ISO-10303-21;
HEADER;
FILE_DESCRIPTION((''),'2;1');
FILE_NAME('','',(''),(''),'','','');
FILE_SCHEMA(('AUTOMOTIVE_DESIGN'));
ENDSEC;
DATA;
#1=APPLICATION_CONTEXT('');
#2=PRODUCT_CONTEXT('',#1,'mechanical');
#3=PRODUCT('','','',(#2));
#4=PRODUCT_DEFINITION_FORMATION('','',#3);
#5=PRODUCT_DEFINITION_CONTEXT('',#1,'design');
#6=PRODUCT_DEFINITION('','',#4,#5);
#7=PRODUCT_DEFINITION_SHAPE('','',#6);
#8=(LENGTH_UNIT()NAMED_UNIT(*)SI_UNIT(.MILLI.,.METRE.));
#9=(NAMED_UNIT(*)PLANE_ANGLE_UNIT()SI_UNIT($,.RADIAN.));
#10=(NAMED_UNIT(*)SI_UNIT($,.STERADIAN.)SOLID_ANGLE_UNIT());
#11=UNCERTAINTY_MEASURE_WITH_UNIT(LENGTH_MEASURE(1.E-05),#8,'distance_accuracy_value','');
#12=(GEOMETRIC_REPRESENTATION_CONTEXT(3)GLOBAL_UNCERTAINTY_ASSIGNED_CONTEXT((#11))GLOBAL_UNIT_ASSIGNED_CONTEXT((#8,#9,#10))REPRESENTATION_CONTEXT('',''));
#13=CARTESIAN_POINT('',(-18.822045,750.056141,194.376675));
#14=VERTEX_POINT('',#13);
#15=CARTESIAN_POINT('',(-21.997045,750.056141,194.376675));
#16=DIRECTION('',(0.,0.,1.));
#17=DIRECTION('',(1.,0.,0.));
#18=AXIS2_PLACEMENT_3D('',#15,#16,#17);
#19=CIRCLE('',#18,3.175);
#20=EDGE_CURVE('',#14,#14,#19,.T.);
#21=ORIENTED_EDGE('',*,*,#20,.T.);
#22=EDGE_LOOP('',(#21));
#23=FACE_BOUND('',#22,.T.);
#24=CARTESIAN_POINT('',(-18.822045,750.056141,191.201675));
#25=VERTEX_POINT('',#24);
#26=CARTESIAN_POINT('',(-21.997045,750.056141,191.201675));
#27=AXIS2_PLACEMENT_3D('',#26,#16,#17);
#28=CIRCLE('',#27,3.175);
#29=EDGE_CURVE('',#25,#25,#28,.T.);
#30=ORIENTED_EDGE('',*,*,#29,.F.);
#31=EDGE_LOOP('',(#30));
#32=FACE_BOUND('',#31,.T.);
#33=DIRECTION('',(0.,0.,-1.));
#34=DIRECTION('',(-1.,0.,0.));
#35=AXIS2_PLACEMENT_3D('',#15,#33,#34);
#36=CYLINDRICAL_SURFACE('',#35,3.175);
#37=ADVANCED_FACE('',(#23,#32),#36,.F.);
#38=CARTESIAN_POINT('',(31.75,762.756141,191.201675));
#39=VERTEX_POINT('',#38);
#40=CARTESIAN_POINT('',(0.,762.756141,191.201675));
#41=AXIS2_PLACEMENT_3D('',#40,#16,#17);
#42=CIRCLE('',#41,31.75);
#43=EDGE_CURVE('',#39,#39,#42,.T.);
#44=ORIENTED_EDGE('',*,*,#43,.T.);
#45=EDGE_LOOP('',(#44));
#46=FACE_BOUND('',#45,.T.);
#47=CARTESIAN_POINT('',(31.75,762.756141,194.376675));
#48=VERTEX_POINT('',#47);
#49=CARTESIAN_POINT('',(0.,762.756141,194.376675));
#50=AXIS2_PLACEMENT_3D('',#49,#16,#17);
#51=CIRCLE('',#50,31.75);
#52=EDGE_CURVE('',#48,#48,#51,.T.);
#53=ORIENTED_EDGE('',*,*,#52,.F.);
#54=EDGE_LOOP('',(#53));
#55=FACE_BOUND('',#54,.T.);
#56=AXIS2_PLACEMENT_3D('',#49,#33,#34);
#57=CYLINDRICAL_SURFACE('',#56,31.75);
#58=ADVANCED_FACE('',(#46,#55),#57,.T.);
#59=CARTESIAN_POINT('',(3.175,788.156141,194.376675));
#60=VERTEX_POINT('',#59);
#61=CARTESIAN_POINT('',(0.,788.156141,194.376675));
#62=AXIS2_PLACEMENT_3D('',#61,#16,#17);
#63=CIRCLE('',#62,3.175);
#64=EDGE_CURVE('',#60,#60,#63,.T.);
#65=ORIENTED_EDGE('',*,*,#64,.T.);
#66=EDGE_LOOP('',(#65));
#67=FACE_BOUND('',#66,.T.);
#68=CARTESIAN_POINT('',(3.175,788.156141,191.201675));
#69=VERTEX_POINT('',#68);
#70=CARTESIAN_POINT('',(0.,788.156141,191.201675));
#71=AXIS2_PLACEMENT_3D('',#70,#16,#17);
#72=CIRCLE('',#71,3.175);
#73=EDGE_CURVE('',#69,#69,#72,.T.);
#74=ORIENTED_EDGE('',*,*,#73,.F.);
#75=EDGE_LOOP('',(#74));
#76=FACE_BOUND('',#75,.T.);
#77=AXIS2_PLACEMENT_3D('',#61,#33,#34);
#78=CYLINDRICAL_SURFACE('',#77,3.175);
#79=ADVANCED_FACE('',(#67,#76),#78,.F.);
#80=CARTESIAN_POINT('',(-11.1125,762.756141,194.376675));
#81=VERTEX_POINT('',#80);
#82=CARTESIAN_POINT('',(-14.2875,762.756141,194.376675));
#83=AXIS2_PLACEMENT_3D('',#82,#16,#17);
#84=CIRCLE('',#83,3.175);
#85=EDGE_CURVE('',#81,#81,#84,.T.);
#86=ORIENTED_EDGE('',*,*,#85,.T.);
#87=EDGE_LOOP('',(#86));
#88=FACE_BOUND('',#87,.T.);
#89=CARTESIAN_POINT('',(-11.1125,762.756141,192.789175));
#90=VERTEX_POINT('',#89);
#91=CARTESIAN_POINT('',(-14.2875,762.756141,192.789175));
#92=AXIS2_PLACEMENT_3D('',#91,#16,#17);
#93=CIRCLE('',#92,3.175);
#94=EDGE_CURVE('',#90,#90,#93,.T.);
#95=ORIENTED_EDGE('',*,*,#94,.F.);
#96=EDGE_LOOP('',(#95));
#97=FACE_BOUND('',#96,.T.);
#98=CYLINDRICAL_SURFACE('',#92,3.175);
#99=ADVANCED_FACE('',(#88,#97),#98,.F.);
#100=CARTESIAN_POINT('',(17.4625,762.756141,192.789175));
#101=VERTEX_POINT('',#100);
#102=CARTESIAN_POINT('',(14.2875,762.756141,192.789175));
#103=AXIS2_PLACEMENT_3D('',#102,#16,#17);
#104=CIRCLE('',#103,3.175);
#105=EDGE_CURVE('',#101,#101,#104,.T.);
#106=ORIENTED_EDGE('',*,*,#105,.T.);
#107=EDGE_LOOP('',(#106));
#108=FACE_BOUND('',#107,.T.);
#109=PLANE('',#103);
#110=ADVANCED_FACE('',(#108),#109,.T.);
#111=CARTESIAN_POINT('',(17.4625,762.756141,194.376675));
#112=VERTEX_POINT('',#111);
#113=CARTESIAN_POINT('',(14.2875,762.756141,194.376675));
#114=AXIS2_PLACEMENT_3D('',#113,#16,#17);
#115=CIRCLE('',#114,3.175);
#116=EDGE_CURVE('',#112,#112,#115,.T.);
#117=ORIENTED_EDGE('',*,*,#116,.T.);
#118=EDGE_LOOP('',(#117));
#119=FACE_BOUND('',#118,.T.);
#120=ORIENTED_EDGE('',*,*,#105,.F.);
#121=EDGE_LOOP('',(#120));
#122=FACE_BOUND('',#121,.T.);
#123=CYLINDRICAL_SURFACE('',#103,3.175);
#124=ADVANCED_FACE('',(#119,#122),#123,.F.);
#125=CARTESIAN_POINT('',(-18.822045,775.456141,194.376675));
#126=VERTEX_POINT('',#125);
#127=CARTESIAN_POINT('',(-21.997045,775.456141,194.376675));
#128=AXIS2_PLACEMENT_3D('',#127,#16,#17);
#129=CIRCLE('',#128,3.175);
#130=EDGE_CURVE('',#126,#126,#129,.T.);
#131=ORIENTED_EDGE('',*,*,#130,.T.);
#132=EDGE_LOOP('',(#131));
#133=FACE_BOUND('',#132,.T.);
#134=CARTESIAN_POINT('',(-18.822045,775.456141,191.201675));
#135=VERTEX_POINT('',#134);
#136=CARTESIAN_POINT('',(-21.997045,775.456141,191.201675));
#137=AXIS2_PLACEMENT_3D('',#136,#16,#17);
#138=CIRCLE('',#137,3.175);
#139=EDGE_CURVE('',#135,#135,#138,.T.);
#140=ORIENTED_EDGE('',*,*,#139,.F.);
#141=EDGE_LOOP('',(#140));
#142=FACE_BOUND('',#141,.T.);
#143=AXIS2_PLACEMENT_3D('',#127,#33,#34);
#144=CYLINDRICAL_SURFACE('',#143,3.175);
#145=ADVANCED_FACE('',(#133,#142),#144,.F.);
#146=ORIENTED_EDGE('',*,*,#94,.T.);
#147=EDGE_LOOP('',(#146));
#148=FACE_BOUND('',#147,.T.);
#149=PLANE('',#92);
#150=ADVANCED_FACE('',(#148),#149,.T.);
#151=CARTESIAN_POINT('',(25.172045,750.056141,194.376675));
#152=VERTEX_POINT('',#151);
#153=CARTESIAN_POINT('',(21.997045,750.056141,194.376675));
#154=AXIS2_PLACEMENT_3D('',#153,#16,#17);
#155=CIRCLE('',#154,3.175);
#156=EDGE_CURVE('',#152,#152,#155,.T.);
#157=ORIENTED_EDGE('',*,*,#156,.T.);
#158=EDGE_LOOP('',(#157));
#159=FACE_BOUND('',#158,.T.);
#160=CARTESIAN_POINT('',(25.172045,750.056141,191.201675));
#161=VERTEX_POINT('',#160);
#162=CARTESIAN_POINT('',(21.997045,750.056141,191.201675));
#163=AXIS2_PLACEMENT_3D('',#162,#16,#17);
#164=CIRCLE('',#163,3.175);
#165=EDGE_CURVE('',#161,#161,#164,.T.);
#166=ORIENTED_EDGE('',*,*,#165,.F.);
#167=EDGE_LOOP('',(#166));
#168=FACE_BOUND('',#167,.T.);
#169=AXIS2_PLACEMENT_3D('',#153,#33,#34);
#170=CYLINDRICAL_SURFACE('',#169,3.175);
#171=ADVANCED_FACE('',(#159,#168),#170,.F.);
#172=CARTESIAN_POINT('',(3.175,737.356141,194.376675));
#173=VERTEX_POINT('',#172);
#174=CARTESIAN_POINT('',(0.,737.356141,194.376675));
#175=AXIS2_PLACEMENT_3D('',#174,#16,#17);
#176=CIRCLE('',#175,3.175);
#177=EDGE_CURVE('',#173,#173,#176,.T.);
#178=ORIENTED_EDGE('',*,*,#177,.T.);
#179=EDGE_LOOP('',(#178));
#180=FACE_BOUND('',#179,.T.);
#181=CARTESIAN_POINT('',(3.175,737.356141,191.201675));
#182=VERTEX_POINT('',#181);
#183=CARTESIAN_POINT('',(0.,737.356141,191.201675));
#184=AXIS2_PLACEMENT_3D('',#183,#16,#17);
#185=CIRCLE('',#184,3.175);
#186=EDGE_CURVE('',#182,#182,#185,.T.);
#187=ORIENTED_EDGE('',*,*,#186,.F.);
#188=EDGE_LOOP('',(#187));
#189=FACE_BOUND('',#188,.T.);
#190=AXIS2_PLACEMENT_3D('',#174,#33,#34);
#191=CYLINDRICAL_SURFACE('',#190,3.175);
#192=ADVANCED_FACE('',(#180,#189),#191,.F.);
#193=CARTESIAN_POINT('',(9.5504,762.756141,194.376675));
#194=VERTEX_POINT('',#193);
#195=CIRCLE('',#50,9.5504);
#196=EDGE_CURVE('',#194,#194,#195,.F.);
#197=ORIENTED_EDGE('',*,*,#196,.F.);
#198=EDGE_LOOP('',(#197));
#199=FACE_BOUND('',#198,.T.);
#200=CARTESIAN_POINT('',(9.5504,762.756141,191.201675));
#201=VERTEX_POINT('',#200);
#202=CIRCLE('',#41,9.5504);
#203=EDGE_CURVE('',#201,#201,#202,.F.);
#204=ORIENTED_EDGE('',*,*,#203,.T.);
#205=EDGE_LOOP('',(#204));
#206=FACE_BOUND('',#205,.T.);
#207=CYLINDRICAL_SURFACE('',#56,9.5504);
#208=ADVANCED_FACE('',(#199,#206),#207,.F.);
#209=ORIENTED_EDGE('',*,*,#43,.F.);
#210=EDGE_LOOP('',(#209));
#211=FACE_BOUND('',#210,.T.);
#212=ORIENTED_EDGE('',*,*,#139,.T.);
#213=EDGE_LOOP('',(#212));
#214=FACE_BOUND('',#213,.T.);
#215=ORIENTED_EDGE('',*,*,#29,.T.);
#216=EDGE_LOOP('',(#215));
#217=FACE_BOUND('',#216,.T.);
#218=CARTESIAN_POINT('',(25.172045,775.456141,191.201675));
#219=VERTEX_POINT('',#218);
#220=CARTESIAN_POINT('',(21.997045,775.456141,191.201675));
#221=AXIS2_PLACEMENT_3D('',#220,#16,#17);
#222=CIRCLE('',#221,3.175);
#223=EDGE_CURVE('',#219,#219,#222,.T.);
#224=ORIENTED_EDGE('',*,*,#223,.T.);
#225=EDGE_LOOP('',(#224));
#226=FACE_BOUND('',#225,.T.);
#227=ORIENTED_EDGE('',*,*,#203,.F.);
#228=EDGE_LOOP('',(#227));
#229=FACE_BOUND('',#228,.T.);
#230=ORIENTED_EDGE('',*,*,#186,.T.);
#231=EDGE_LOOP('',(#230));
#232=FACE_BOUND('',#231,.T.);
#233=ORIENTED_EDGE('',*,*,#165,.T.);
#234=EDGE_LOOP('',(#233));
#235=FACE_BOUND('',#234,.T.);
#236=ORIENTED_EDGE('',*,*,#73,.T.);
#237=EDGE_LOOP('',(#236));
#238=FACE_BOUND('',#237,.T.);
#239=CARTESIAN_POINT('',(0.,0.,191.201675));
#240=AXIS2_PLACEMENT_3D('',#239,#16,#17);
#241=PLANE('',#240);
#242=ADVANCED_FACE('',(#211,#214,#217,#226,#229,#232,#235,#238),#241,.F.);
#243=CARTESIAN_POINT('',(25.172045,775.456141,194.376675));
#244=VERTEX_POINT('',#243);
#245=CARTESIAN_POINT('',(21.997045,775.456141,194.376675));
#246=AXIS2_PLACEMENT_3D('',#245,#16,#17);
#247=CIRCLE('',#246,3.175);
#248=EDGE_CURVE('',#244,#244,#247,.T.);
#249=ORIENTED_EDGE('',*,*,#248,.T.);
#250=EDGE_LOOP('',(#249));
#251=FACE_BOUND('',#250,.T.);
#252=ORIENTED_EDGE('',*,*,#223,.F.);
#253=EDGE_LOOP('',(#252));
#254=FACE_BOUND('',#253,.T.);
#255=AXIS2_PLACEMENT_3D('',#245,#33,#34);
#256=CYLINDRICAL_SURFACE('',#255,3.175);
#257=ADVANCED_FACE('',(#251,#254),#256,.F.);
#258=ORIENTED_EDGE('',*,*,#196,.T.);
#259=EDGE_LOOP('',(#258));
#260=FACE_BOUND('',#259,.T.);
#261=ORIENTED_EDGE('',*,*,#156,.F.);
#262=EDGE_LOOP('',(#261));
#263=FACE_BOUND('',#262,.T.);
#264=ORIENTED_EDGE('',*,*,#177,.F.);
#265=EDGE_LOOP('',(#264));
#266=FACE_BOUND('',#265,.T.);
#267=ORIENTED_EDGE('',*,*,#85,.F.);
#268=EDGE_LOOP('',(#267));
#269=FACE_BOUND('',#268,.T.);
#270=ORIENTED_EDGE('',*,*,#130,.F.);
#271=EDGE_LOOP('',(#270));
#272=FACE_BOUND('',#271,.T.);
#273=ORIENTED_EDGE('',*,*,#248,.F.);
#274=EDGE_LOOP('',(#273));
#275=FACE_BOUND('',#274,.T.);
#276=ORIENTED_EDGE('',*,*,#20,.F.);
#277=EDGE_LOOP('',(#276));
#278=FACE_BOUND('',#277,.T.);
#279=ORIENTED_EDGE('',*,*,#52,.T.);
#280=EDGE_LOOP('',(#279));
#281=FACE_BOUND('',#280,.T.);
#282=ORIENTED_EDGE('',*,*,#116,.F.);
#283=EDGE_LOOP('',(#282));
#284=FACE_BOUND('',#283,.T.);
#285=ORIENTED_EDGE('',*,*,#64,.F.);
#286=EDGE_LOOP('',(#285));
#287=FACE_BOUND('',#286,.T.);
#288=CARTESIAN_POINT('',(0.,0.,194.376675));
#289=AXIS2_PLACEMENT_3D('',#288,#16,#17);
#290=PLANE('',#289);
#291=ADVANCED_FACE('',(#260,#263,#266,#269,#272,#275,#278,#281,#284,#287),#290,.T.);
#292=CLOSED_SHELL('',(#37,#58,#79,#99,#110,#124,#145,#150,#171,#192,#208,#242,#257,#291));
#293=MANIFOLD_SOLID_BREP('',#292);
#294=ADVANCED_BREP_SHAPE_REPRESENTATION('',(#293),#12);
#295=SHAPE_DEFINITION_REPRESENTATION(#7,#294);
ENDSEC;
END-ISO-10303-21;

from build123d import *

# Parameters (mm, degrees)
SKETCH1_R           = 31.75
SKETCH1_R_2         = 3.175
SKETCH1_R_3         = 15.875
SKETCH1_R_4         = 9.5504
BOSS_EXTRUDE1_DEPTH = 3.175
SKETCH2_R           = 3.175
CUT_EXTRUDE1_DEPTH  = 1.5875


with BuildPart() as part:
    # Sketch1 → Boss-Extrude1 (new body)
    # profile 1 of 2: a face of its own
    with BuildSketch(Plane.XY.offset(191.201675)):
        with Locations((0, 762.756140976)):
            Circle(SKETCH1_R)
        with Locations((-21.997045256, 775.456140976)):
            Circle(SKETCH1_R_2, mode=Mode.SUBTRACT)
        with Locations((-21.997045256, 750.056140976)):
            Circle(SKETCH1_R_2, mode=Mode.SUBTRACT)
        with Locations((0, 737.356140976)):
            Circle(SKETCH1_R_2, mode=Mode.SUBTRACT)
        with Locations((21.997045256, 750.056140976)):
            Circle(SKETCH1_R_2, mode=Mode.SUBTRACT)
        with Locations((21.997045256, 775.456140976)):
            Circle(SKETCH1_R_2, mode=Mode.SUBTRACT)
        with Locations((0, 788.156140976)):
            Circle(SKETCH1_R_2, mode=Mode.SUBTRACT)
        with Locations((0, 762.756140976)):
            Circle(SKETCH1_R_3, mode=Mode.SUBTRACT)
    # profile 2 of 2: a face of its own
    with BuildSketch(Plane.XY.offset(191.201675)):
        with Locations((0, 762.756140976)):
            Circle(SKETCH1_R_3)
        with Locations((0, 762.756140976)):
            Circle(SKETCH1_R_4, mode=Mode.SUBTRACT)
    extrude(amount=BOSS_EXTRUDE1_DEPTH)

    # Sketch2 → Cut-Extrude1 (cut)
    with BuildSketch(Plane.XY.offset(194.376675)):
        with Locations((-14.2875, 762.756140976)):
            Circle(SKETCH2_R)
        with Locations((14.2875, 762.756140976)):
            Circle(SKETCH2_R)
    extrude(amount=-CUT_EXTRUDE1_DEPTH, mode=Mode.SUBTRACT)


solid = part.part
